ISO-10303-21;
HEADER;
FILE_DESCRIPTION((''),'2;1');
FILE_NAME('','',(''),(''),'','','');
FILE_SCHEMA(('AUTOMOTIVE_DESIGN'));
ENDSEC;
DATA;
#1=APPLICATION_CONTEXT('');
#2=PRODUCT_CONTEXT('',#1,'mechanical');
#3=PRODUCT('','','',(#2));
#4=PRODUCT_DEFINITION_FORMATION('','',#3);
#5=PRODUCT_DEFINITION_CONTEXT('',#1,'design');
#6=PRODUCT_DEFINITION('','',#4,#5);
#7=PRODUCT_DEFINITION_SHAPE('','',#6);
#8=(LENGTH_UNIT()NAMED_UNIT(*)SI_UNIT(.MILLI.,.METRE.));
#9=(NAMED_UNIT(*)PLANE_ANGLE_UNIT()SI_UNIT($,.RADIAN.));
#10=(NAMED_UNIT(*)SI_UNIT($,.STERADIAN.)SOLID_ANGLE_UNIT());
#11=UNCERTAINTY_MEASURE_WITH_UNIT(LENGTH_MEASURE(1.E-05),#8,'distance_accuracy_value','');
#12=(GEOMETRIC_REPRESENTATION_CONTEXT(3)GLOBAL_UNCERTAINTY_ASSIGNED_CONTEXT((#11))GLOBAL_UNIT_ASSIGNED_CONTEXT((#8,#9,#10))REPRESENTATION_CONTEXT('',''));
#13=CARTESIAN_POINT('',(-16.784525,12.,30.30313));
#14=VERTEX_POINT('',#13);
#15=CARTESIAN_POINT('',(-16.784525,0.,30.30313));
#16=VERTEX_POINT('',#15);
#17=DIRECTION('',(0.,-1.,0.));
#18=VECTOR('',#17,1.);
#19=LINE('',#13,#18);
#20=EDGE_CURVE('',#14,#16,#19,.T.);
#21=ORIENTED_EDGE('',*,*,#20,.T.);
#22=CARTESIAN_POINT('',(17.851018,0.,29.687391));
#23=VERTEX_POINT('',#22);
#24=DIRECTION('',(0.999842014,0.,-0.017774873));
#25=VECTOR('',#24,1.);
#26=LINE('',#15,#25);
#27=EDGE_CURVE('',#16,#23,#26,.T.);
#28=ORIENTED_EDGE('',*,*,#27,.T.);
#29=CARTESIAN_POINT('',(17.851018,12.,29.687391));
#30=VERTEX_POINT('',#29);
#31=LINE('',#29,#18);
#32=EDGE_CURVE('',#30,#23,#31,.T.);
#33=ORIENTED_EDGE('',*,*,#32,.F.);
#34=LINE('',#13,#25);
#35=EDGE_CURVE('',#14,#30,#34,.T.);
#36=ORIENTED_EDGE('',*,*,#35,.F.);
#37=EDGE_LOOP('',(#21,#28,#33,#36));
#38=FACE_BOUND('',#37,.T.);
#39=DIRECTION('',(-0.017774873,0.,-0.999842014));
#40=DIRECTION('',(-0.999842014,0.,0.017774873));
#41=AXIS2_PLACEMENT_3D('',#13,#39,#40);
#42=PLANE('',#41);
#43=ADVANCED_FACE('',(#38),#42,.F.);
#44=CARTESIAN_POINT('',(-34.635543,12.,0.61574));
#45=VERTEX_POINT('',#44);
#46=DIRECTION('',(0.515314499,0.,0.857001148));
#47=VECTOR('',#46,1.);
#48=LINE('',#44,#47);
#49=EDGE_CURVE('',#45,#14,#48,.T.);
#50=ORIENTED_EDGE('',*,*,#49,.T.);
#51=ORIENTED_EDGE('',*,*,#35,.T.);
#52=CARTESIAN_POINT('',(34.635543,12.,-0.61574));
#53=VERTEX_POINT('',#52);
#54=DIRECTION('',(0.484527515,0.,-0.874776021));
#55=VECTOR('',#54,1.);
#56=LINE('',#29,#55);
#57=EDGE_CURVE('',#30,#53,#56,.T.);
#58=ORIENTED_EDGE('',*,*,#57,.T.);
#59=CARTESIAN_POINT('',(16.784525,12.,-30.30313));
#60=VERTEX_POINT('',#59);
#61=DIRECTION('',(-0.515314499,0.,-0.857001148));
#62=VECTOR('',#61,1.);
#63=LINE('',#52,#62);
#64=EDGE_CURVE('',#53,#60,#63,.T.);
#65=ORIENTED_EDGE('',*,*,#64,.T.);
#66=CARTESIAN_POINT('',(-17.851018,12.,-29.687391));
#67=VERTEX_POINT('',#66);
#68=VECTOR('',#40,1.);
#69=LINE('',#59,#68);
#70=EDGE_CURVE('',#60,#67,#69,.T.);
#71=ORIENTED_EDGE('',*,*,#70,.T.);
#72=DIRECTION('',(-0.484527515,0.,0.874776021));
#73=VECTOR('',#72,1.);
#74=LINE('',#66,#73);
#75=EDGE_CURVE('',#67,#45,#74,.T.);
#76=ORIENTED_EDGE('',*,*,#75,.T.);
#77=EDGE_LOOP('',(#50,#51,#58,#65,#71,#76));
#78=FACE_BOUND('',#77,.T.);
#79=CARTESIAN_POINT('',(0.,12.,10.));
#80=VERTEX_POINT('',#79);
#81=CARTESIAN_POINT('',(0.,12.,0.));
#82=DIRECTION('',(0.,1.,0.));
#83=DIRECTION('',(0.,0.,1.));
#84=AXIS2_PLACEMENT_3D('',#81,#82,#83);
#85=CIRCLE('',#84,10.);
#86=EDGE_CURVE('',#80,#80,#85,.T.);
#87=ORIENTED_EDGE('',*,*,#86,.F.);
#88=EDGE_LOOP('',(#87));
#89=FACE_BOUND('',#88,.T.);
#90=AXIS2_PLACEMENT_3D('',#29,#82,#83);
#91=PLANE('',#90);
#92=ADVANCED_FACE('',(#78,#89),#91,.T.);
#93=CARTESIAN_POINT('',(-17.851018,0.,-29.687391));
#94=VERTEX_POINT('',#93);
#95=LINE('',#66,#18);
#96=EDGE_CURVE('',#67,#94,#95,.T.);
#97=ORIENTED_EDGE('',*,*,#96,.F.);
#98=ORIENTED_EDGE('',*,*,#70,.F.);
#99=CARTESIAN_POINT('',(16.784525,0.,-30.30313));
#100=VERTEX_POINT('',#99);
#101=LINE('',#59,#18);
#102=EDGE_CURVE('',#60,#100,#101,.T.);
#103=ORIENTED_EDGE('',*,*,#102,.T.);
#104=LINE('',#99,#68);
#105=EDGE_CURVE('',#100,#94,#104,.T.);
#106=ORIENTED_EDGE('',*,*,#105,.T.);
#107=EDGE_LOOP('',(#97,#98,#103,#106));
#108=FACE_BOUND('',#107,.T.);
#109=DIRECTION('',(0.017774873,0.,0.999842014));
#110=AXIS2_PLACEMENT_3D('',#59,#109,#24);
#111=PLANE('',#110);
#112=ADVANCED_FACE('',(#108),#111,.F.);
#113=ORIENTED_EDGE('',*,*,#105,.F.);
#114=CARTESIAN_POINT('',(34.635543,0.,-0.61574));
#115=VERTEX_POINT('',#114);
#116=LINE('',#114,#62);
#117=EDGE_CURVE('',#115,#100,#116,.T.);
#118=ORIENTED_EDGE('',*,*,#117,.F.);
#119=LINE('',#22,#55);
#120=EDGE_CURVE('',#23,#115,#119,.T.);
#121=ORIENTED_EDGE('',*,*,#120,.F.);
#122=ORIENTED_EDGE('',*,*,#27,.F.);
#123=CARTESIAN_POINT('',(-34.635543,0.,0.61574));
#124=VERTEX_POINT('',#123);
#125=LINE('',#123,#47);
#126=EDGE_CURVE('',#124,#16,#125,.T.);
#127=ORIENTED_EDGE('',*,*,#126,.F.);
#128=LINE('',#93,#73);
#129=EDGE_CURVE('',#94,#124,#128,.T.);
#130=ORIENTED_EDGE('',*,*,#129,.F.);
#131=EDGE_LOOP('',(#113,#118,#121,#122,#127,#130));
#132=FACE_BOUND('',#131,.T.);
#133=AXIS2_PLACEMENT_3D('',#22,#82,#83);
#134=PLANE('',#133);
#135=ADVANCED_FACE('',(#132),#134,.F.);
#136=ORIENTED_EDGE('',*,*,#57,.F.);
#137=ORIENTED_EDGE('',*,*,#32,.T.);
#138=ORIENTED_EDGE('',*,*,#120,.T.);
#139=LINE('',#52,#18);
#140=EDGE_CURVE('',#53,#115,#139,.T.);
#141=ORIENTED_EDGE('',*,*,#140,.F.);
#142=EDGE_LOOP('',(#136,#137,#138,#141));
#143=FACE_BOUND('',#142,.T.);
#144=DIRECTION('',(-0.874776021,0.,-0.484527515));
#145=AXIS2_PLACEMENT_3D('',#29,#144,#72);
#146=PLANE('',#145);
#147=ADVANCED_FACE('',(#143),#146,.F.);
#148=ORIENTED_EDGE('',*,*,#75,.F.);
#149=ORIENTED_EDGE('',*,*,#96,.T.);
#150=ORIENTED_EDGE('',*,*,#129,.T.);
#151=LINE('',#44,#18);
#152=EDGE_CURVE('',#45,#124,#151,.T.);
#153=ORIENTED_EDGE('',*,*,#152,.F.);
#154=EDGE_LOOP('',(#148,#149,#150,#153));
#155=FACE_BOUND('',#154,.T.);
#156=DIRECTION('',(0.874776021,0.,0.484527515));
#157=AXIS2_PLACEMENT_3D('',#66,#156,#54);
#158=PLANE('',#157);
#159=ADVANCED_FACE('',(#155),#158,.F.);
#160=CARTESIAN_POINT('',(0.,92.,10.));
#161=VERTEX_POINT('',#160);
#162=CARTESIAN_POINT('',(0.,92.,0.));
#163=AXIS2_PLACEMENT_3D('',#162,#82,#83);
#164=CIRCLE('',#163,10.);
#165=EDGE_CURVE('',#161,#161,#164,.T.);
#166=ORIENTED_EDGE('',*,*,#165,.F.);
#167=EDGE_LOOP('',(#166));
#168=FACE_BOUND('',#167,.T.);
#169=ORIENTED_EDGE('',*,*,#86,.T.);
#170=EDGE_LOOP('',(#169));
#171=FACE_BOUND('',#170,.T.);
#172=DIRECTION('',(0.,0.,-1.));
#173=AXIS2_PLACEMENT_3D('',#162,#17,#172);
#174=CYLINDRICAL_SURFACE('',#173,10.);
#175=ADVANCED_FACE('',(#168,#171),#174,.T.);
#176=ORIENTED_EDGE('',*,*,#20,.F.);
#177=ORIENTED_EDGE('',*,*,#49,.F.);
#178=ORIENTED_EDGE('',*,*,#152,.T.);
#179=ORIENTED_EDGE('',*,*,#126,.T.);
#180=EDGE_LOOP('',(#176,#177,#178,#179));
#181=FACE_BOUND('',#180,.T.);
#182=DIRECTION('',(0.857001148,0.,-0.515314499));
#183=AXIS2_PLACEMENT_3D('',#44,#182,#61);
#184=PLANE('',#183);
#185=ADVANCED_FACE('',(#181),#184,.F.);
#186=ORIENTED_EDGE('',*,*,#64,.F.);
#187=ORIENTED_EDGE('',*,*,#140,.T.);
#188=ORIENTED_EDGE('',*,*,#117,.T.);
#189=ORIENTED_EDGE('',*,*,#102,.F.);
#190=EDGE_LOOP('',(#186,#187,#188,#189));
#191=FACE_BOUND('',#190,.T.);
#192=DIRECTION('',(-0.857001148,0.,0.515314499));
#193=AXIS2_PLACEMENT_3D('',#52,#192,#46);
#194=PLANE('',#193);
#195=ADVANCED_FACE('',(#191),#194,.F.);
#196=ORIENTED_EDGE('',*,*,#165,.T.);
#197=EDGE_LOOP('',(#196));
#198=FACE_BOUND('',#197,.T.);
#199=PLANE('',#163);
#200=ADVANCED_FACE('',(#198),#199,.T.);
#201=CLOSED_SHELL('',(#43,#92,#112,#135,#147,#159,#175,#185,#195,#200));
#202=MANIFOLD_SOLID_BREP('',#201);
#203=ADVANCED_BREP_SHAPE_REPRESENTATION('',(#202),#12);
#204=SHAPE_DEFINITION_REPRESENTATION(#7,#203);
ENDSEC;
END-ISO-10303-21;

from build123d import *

# Parameters (mm, degrees)
EXTRUDE_1_DEPTH = 12
SKETCH_2_R      = 10
EXTRUDE_2_DEPTH = 80


with BuildPart() as part:
    # 草图1 → 凸台-拉伸1 (new body)
    with BuildSketch(Plane(origin=(0, 0, 0), x_dir=(1, 0, 0), z_dir=(0, 1, 0))):
        Polygon((17.851017883, -29.687390599), (34.635543372, 0.61573967), (16.784525489, 30.303130269), (-17.851017883, 29.687390599), (-34.635543372, -0.61573967), (-16.784525489, -30.303130269), align=None)
    extrude(amount=EXTRUDE_1_DEPTH)

    # 草图2 → 凸台-拉伸2 (add)
    with BuildSketch(Plane(origin=(0, 12, 0), x_dir=(1, 0, 0), z_dir=(0, 1, 0))):
        Circle(SKETCH_2_R)
    extrude(amount=EXTRUDE_2_DEPTH)


solid = part.part
